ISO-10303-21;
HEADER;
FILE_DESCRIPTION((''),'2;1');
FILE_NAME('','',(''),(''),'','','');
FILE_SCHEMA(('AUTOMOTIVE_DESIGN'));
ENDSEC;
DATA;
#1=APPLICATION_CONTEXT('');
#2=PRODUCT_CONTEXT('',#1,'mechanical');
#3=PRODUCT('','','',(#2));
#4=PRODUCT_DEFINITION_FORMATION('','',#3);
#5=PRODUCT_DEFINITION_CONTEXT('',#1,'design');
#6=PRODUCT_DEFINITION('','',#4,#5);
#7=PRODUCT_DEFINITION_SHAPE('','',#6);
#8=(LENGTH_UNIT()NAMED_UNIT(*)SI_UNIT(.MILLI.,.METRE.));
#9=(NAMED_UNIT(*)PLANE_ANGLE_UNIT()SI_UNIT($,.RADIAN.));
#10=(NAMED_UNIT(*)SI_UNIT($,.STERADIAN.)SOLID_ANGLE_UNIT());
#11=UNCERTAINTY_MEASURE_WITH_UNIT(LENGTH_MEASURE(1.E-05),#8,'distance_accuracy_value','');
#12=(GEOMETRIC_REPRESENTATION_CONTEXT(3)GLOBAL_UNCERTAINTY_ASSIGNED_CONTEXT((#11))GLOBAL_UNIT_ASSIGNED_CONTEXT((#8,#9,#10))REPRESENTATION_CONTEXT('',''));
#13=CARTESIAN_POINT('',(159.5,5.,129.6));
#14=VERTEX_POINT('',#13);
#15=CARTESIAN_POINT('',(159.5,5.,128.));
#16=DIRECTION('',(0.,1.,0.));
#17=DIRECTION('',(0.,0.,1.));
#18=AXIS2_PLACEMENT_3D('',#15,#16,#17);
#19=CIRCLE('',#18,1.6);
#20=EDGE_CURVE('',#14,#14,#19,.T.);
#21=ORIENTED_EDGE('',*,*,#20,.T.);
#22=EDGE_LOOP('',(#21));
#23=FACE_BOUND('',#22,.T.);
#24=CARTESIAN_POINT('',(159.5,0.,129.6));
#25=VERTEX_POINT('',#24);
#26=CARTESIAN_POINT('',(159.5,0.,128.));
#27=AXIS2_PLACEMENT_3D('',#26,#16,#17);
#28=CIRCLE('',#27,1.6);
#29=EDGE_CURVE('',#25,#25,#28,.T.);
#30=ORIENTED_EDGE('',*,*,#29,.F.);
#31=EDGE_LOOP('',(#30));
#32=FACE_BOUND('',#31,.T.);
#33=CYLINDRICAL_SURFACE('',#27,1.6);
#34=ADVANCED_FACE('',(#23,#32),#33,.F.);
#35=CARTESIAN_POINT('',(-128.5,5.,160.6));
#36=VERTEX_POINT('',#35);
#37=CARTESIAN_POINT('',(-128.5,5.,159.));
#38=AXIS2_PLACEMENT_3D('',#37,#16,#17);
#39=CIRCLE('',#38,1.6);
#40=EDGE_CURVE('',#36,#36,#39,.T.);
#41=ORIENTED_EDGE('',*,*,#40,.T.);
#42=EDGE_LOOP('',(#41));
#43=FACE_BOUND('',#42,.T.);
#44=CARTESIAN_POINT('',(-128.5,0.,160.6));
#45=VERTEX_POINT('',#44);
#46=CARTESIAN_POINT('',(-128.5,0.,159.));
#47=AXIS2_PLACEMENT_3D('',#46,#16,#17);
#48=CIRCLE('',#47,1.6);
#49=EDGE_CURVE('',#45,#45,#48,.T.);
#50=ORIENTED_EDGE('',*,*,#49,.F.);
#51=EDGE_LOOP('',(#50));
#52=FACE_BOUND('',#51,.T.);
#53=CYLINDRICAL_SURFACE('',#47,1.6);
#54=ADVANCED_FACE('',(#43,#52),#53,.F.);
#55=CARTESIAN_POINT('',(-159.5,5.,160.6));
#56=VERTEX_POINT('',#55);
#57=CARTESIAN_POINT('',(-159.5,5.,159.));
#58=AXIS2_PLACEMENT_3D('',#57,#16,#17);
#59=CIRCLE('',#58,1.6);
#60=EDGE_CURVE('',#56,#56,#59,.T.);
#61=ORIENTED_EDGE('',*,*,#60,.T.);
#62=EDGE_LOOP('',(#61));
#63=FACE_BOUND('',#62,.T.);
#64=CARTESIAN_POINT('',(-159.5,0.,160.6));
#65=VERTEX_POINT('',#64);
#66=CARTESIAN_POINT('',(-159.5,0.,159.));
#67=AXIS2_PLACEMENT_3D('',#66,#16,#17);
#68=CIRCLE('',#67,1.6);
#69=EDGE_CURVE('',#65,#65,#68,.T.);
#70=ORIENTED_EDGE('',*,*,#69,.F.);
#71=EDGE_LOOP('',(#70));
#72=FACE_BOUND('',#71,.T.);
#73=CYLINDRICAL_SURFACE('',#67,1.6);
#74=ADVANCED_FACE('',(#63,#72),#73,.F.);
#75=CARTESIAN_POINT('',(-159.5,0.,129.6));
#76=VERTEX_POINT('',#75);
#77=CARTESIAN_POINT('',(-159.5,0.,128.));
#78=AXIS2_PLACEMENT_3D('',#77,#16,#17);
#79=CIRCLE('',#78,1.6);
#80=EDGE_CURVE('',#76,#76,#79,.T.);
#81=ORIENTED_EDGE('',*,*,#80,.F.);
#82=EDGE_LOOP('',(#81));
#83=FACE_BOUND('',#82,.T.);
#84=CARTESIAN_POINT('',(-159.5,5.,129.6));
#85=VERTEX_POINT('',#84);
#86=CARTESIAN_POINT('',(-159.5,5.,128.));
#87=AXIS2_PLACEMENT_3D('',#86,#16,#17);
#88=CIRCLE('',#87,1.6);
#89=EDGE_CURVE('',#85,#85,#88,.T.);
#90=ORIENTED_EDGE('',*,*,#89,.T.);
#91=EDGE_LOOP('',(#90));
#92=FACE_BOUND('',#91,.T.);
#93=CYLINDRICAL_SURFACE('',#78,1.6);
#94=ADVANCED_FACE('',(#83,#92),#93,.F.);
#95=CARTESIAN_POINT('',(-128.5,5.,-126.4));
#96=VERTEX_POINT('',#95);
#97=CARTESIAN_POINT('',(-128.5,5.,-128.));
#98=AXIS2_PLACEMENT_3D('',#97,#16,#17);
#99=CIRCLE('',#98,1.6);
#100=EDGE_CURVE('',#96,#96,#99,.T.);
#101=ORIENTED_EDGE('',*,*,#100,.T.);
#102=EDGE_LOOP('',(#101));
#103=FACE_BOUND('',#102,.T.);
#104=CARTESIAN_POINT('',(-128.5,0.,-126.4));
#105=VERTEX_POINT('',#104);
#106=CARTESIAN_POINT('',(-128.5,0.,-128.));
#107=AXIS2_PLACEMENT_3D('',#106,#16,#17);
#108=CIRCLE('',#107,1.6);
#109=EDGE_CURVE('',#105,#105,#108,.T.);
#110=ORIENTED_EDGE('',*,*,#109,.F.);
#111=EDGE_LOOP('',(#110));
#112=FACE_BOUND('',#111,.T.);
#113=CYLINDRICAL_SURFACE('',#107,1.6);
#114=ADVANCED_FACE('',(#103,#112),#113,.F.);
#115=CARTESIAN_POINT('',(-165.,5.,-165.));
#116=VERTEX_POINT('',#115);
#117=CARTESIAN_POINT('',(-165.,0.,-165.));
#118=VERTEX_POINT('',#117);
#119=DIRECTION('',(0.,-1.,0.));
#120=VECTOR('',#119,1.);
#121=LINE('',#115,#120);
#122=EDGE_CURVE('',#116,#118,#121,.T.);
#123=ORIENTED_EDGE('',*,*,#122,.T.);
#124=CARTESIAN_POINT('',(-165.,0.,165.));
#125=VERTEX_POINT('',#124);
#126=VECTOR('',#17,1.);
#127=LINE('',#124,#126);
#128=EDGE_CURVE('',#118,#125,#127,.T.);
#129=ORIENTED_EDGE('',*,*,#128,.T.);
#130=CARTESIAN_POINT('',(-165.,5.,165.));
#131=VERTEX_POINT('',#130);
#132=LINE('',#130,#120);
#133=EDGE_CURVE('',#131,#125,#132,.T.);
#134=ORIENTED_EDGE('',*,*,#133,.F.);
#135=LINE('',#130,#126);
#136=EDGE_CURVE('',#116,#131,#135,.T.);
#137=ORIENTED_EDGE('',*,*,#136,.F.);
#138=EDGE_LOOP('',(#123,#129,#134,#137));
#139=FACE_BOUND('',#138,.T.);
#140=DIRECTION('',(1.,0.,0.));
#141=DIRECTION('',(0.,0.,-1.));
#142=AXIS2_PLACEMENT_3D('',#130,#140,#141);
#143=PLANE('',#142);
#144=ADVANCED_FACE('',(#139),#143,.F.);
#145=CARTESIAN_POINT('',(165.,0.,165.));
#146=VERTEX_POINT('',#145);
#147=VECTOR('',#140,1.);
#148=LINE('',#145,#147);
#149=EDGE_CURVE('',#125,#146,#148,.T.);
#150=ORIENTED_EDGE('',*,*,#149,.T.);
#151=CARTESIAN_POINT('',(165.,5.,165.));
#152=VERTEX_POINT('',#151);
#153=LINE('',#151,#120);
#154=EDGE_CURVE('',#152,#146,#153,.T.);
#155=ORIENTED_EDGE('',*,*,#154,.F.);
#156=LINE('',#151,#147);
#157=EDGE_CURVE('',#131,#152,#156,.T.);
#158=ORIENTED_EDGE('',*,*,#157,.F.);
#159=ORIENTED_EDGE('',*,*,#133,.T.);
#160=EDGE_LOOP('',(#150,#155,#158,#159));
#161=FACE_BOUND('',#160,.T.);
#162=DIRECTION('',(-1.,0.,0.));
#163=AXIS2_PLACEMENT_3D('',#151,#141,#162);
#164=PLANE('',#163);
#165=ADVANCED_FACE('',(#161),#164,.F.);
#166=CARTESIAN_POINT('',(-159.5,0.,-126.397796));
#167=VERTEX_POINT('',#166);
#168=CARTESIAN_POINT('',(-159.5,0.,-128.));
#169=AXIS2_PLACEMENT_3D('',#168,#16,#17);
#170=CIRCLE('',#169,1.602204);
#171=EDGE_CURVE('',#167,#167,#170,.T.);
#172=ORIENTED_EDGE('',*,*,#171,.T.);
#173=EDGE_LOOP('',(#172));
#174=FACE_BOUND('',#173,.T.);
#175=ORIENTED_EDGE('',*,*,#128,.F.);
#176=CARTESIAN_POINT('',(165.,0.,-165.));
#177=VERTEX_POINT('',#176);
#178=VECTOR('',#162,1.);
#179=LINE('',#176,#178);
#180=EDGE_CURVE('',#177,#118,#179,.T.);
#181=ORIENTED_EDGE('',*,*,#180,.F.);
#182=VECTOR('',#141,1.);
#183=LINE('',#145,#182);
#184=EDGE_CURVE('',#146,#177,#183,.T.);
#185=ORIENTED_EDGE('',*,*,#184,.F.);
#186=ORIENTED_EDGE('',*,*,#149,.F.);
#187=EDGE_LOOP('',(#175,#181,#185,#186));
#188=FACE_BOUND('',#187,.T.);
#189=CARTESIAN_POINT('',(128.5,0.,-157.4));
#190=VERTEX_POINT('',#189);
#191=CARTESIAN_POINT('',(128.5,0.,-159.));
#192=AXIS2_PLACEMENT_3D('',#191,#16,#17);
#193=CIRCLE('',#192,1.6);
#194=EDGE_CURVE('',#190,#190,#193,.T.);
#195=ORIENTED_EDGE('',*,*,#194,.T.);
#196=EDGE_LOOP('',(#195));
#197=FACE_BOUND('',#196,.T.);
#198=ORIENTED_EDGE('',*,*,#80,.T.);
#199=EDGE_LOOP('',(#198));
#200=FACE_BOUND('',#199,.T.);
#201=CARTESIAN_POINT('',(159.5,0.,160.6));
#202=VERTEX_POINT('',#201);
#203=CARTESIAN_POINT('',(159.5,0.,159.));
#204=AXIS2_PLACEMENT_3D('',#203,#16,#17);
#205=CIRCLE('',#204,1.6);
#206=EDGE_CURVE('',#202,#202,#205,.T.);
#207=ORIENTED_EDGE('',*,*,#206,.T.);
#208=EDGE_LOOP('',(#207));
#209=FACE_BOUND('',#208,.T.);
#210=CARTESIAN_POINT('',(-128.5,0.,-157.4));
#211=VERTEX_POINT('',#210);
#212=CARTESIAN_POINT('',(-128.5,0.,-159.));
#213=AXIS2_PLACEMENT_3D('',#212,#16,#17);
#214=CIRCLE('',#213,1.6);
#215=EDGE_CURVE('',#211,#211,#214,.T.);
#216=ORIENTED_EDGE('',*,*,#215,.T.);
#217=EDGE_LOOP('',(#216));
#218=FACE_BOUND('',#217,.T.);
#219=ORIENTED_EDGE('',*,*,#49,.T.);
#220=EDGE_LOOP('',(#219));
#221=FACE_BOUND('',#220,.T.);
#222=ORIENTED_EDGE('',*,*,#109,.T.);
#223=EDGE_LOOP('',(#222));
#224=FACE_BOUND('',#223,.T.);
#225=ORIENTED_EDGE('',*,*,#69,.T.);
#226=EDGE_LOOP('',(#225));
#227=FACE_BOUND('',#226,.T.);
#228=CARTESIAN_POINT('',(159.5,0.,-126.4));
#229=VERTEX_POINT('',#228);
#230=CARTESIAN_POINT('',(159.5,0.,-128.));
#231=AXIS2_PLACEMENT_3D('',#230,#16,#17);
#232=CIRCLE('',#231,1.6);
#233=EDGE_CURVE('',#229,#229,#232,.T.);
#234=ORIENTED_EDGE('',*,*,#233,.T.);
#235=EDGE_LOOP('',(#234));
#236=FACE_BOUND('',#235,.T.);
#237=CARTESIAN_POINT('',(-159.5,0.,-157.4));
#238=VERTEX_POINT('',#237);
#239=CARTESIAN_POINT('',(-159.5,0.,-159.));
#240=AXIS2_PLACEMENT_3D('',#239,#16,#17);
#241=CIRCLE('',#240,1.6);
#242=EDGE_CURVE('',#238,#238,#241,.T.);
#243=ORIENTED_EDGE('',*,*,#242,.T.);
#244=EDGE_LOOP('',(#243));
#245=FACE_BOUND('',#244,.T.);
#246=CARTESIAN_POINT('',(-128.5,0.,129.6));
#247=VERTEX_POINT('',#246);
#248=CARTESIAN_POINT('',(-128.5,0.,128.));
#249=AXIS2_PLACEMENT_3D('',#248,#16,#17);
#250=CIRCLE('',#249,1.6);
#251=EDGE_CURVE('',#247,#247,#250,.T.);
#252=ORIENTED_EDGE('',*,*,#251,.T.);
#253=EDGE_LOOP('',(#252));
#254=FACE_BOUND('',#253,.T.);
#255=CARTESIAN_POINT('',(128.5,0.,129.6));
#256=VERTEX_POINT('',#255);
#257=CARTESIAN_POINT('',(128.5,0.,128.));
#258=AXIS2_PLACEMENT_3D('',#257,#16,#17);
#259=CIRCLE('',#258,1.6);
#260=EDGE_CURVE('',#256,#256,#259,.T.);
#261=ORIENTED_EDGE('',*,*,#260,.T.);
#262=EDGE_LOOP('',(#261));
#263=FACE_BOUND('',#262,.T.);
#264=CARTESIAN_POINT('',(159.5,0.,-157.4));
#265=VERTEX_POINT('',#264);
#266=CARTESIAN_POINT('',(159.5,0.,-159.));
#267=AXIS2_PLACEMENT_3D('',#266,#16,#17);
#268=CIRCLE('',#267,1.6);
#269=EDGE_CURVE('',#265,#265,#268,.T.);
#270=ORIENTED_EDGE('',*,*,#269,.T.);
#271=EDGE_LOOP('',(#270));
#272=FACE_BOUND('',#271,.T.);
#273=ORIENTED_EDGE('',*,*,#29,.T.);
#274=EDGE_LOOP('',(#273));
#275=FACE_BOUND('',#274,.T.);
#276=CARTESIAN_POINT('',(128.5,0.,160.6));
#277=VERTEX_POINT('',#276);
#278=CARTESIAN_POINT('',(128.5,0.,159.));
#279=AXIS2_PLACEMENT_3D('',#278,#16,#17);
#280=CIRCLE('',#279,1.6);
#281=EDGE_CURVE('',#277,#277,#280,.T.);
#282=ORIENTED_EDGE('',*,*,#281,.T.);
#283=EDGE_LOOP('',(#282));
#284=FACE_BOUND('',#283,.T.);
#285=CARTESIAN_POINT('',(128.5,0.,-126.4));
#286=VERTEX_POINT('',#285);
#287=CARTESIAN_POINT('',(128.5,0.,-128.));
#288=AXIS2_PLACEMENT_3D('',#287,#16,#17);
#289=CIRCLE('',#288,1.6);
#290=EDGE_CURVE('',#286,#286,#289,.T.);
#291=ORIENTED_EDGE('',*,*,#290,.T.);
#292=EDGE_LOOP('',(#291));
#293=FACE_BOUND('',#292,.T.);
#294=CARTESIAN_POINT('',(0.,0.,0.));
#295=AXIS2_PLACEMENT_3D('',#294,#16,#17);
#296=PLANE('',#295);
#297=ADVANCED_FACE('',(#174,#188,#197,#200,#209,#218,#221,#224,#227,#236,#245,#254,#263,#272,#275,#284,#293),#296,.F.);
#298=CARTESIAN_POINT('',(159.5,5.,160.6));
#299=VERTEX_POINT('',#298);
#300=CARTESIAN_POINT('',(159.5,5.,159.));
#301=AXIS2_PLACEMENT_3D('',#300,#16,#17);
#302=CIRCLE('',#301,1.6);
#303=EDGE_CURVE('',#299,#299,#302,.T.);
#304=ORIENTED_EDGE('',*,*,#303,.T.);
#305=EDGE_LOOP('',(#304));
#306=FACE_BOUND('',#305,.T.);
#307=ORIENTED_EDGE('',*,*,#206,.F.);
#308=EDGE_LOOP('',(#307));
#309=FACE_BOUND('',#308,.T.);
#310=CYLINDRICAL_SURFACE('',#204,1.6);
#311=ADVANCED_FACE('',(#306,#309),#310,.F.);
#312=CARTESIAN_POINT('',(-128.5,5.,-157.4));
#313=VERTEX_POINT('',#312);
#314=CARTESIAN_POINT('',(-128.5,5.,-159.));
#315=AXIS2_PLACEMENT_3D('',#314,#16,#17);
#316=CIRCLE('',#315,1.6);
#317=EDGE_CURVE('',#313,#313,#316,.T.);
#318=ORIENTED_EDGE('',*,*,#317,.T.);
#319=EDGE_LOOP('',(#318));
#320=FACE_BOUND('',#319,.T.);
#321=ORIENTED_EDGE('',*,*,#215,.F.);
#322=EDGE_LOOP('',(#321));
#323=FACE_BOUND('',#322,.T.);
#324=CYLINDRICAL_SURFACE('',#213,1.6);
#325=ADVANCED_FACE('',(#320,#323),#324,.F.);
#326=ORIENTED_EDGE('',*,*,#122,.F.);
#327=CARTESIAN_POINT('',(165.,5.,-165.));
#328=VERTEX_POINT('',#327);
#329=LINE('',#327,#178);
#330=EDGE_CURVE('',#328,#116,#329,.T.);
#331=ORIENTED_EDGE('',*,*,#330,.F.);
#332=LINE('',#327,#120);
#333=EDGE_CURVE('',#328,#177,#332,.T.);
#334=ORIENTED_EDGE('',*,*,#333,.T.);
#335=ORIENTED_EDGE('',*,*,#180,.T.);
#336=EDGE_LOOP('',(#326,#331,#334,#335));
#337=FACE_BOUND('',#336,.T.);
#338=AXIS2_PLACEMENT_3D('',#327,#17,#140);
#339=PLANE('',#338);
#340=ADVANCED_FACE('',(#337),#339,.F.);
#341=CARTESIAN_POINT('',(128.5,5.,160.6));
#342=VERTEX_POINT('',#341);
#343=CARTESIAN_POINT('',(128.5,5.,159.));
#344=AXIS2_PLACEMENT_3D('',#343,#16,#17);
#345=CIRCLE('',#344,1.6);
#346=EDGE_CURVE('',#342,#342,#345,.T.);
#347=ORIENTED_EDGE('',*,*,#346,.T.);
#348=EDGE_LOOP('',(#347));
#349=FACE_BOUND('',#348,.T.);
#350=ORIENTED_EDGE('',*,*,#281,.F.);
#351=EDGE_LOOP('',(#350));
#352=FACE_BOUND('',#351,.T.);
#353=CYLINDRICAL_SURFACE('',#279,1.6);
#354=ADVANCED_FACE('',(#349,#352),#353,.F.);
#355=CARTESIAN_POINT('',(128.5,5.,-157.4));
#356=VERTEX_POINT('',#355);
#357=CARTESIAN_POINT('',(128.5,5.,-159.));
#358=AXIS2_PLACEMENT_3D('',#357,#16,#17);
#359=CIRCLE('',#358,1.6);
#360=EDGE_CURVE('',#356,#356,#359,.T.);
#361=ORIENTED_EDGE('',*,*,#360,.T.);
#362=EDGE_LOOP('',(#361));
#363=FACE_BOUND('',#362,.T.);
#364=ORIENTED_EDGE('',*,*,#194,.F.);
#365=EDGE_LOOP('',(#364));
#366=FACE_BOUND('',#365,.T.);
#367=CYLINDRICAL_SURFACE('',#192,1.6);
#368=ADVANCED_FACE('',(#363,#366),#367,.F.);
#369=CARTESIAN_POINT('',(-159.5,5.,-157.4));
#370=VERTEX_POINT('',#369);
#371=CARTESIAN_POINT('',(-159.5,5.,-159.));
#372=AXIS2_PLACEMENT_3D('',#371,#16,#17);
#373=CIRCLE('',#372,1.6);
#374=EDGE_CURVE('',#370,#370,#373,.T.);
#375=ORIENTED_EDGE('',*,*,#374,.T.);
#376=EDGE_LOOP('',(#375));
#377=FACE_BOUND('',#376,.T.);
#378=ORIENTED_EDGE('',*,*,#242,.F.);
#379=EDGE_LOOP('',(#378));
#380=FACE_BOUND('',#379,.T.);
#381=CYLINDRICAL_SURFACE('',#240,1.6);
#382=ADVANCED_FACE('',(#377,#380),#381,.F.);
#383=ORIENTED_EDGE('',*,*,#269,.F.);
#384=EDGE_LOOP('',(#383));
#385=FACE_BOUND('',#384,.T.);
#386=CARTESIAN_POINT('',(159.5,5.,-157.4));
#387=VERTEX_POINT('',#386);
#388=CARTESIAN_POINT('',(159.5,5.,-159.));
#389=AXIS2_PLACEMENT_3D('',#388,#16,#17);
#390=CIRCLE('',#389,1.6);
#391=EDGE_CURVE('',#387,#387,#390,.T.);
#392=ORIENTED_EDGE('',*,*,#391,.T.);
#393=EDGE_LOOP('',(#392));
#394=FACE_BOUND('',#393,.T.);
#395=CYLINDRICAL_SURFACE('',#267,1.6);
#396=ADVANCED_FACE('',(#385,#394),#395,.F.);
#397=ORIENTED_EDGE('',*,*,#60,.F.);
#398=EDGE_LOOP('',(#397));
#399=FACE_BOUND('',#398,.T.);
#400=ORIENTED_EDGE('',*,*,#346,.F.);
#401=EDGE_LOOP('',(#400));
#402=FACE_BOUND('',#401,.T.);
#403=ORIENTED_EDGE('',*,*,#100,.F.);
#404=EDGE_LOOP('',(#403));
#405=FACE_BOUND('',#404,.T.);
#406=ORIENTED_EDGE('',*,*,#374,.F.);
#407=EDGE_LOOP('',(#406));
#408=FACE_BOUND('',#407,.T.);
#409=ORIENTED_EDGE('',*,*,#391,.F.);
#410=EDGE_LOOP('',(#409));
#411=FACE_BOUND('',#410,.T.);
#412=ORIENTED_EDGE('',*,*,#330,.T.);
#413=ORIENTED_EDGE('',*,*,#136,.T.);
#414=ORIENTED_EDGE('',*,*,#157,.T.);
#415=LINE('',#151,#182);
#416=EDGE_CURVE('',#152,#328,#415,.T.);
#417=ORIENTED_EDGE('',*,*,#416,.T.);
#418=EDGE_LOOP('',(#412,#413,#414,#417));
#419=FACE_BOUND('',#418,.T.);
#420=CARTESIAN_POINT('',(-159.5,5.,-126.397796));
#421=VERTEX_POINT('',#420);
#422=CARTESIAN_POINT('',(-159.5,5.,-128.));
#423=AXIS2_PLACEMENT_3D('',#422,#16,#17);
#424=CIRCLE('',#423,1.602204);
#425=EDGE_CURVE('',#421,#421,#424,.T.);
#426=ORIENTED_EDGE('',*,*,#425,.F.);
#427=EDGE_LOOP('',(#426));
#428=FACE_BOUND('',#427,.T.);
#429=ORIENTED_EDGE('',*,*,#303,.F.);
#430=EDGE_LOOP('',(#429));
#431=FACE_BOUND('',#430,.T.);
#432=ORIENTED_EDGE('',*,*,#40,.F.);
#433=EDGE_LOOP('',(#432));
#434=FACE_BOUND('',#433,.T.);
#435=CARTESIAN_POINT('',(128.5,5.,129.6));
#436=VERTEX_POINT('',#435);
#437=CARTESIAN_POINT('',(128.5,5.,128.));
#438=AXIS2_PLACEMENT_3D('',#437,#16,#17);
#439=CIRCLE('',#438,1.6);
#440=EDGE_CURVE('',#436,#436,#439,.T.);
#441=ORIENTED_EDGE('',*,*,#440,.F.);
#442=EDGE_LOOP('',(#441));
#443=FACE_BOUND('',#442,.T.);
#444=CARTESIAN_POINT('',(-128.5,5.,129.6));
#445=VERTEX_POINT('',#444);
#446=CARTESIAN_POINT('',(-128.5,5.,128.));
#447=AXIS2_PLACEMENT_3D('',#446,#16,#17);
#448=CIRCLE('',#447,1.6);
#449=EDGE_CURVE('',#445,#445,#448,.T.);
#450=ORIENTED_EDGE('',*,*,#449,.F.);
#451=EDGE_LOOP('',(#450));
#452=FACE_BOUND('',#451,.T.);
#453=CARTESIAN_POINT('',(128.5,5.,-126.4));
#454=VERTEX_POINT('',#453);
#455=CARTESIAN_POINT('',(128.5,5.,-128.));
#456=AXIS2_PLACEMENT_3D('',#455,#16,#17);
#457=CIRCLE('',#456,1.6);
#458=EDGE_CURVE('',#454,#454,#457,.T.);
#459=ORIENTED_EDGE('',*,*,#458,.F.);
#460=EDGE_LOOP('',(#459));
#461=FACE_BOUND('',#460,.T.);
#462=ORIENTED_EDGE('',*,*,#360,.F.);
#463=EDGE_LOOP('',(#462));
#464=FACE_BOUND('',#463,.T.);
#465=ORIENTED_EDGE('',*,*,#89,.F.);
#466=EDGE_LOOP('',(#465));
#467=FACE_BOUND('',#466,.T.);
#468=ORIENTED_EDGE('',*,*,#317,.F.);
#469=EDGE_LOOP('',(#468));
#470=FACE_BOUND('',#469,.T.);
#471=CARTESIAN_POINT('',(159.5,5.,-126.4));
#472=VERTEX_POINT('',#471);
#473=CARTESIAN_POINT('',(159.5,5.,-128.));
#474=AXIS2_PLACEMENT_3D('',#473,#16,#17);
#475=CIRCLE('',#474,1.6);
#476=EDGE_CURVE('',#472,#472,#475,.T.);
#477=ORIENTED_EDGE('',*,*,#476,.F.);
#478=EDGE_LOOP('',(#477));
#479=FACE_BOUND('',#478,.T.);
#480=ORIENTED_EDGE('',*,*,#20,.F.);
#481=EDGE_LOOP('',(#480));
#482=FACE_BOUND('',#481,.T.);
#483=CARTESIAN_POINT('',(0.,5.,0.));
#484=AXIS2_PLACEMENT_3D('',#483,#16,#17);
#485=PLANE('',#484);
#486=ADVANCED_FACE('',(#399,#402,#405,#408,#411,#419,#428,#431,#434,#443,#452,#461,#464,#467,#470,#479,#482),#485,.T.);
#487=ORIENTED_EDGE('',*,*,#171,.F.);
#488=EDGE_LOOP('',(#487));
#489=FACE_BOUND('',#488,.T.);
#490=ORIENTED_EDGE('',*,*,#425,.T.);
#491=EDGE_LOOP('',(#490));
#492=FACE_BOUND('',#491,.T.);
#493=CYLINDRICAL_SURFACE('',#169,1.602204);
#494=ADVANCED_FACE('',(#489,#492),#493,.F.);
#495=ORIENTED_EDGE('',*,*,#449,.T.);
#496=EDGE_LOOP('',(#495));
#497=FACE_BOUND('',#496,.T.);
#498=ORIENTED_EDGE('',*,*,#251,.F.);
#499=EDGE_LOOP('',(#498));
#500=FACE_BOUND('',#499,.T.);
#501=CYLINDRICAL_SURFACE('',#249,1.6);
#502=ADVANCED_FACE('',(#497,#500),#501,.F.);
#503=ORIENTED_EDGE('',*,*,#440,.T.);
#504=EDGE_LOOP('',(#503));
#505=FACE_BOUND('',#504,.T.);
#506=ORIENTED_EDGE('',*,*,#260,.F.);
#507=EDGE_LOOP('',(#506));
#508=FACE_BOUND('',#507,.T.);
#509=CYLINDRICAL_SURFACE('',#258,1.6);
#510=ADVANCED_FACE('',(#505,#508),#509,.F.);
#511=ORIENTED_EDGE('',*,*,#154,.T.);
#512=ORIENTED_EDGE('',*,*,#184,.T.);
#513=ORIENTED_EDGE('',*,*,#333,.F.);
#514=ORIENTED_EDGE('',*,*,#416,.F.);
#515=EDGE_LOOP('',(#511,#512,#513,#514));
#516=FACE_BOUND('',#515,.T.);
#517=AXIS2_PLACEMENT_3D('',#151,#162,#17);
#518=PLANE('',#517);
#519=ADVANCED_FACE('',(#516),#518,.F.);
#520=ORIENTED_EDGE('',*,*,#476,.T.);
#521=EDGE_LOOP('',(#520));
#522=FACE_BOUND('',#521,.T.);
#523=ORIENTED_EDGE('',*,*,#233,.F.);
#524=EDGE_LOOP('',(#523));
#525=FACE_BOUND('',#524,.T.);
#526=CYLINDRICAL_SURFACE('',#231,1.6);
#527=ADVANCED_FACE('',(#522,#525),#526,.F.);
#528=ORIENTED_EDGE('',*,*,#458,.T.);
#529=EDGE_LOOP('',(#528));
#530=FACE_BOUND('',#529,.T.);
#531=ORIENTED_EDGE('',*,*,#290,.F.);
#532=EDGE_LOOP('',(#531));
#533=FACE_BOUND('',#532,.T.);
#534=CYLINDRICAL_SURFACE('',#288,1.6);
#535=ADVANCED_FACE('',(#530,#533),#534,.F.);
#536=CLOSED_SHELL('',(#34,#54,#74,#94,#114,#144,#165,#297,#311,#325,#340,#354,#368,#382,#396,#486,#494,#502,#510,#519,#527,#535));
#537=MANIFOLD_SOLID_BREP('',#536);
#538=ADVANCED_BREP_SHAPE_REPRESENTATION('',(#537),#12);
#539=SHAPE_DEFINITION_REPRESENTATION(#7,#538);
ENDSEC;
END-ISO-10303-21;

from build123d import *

# Parameters (mm, degrees)
SKETCH_1_W          = 330
SKETCH_1_H          = 330
EXTRUDE_1_DEPTH     = 5
SKETCH_2_R          = 1.6
SKETCH_2_R_2        = 1.602203763
CUT_EXTRUDE_1_DEPTH = 234.39880034


with BuildPart() as part:
    # 草图1 → 凸台-拉伸1 (new body)
    with BuildSketch(Plane(origin=(0, 0, 0), x_dir=(1, 0, 0), z_dir=(0, 1, 0))):
        Rectangle(SKETCH_1_W, SKETCH_1_H)
    extrude(amount=EXTRUDE_1_DEPTH)

    # 草图2 → 切除-拉伸1 (cut, through all)
    with BuildSketch(Plane(origin=(0, 5, 0), x_dir=(1, 0, 0), z_dir=(0, 1, 0))):
        with Locations(Location((-159.5, 159, 0), (0, 0, 270))):
            Circle(SKETCH_2_R)
        with Locations(Location((-128.5, 159, 0), (0, 0, 270))):
            Circle(SKETCH_2_R)
        with Locations(Location((-159.5, 128, 0), (0, 0, 270))):
            Circle(SKETCH_2_R_2)
        with Locations(Location((-128.5, 128, 0), (0, 0, 270))):
            Circle(SKETCH_2_R)
        with Locations(Location((128.5, 159, 0), (0, 0, 270))):
            Circle(SKETCH_2_R)
        with Locations(Location((159.5, 159, 0), (0, 0, 270))):
            Circle(SKETCH_2_R)
        with Locations(Location((128.5, 128, 0), (0, 0, 270))):
            Circle(SKETCH_2_R)
        with Locations(Location((159.5, 128, 0), (0, 0, 270))):
            Circle(SKETCH_2_R)
        with Locations(Location((128.5, -128, 0), (0, 0, 270))):
            Circle(SKETCH_2_R)
        with Locations(Location((159.5, -128, 0), (0, 0, 270))):
            Circle(SKETCH_2_R)
        with Locations(Location((159.5, -159, 0), (0, 0, 270))):
            Circle(SKETCH_2_R)
        with Locations(Location((128.5, -159, 0), (0, 0, 270))):
            Circle(SKETCH_2_R)
        with Locations(Location((-128.5, -159, 0), (0, 0, 270))):
            Circle(SKETCH_2_R)
        with Locations(Location((-159.5, -159, 0), (0, 0, 270))):
            Circle(SKETCH_2_R)
        with Locations(Location((-159.5, -128, 0), (0, 0, 270))):
            Circle(SKETCH_2_R)
        with Locations(Location((-128.5, -128, 0), (0, 0, 270))):
            Circle(SKETCH_2_R)
    extrude(amount=-CUT_EXTRUDE_1_DEPTH, mode=Mode.SUBTRACT)


solid = part.part
